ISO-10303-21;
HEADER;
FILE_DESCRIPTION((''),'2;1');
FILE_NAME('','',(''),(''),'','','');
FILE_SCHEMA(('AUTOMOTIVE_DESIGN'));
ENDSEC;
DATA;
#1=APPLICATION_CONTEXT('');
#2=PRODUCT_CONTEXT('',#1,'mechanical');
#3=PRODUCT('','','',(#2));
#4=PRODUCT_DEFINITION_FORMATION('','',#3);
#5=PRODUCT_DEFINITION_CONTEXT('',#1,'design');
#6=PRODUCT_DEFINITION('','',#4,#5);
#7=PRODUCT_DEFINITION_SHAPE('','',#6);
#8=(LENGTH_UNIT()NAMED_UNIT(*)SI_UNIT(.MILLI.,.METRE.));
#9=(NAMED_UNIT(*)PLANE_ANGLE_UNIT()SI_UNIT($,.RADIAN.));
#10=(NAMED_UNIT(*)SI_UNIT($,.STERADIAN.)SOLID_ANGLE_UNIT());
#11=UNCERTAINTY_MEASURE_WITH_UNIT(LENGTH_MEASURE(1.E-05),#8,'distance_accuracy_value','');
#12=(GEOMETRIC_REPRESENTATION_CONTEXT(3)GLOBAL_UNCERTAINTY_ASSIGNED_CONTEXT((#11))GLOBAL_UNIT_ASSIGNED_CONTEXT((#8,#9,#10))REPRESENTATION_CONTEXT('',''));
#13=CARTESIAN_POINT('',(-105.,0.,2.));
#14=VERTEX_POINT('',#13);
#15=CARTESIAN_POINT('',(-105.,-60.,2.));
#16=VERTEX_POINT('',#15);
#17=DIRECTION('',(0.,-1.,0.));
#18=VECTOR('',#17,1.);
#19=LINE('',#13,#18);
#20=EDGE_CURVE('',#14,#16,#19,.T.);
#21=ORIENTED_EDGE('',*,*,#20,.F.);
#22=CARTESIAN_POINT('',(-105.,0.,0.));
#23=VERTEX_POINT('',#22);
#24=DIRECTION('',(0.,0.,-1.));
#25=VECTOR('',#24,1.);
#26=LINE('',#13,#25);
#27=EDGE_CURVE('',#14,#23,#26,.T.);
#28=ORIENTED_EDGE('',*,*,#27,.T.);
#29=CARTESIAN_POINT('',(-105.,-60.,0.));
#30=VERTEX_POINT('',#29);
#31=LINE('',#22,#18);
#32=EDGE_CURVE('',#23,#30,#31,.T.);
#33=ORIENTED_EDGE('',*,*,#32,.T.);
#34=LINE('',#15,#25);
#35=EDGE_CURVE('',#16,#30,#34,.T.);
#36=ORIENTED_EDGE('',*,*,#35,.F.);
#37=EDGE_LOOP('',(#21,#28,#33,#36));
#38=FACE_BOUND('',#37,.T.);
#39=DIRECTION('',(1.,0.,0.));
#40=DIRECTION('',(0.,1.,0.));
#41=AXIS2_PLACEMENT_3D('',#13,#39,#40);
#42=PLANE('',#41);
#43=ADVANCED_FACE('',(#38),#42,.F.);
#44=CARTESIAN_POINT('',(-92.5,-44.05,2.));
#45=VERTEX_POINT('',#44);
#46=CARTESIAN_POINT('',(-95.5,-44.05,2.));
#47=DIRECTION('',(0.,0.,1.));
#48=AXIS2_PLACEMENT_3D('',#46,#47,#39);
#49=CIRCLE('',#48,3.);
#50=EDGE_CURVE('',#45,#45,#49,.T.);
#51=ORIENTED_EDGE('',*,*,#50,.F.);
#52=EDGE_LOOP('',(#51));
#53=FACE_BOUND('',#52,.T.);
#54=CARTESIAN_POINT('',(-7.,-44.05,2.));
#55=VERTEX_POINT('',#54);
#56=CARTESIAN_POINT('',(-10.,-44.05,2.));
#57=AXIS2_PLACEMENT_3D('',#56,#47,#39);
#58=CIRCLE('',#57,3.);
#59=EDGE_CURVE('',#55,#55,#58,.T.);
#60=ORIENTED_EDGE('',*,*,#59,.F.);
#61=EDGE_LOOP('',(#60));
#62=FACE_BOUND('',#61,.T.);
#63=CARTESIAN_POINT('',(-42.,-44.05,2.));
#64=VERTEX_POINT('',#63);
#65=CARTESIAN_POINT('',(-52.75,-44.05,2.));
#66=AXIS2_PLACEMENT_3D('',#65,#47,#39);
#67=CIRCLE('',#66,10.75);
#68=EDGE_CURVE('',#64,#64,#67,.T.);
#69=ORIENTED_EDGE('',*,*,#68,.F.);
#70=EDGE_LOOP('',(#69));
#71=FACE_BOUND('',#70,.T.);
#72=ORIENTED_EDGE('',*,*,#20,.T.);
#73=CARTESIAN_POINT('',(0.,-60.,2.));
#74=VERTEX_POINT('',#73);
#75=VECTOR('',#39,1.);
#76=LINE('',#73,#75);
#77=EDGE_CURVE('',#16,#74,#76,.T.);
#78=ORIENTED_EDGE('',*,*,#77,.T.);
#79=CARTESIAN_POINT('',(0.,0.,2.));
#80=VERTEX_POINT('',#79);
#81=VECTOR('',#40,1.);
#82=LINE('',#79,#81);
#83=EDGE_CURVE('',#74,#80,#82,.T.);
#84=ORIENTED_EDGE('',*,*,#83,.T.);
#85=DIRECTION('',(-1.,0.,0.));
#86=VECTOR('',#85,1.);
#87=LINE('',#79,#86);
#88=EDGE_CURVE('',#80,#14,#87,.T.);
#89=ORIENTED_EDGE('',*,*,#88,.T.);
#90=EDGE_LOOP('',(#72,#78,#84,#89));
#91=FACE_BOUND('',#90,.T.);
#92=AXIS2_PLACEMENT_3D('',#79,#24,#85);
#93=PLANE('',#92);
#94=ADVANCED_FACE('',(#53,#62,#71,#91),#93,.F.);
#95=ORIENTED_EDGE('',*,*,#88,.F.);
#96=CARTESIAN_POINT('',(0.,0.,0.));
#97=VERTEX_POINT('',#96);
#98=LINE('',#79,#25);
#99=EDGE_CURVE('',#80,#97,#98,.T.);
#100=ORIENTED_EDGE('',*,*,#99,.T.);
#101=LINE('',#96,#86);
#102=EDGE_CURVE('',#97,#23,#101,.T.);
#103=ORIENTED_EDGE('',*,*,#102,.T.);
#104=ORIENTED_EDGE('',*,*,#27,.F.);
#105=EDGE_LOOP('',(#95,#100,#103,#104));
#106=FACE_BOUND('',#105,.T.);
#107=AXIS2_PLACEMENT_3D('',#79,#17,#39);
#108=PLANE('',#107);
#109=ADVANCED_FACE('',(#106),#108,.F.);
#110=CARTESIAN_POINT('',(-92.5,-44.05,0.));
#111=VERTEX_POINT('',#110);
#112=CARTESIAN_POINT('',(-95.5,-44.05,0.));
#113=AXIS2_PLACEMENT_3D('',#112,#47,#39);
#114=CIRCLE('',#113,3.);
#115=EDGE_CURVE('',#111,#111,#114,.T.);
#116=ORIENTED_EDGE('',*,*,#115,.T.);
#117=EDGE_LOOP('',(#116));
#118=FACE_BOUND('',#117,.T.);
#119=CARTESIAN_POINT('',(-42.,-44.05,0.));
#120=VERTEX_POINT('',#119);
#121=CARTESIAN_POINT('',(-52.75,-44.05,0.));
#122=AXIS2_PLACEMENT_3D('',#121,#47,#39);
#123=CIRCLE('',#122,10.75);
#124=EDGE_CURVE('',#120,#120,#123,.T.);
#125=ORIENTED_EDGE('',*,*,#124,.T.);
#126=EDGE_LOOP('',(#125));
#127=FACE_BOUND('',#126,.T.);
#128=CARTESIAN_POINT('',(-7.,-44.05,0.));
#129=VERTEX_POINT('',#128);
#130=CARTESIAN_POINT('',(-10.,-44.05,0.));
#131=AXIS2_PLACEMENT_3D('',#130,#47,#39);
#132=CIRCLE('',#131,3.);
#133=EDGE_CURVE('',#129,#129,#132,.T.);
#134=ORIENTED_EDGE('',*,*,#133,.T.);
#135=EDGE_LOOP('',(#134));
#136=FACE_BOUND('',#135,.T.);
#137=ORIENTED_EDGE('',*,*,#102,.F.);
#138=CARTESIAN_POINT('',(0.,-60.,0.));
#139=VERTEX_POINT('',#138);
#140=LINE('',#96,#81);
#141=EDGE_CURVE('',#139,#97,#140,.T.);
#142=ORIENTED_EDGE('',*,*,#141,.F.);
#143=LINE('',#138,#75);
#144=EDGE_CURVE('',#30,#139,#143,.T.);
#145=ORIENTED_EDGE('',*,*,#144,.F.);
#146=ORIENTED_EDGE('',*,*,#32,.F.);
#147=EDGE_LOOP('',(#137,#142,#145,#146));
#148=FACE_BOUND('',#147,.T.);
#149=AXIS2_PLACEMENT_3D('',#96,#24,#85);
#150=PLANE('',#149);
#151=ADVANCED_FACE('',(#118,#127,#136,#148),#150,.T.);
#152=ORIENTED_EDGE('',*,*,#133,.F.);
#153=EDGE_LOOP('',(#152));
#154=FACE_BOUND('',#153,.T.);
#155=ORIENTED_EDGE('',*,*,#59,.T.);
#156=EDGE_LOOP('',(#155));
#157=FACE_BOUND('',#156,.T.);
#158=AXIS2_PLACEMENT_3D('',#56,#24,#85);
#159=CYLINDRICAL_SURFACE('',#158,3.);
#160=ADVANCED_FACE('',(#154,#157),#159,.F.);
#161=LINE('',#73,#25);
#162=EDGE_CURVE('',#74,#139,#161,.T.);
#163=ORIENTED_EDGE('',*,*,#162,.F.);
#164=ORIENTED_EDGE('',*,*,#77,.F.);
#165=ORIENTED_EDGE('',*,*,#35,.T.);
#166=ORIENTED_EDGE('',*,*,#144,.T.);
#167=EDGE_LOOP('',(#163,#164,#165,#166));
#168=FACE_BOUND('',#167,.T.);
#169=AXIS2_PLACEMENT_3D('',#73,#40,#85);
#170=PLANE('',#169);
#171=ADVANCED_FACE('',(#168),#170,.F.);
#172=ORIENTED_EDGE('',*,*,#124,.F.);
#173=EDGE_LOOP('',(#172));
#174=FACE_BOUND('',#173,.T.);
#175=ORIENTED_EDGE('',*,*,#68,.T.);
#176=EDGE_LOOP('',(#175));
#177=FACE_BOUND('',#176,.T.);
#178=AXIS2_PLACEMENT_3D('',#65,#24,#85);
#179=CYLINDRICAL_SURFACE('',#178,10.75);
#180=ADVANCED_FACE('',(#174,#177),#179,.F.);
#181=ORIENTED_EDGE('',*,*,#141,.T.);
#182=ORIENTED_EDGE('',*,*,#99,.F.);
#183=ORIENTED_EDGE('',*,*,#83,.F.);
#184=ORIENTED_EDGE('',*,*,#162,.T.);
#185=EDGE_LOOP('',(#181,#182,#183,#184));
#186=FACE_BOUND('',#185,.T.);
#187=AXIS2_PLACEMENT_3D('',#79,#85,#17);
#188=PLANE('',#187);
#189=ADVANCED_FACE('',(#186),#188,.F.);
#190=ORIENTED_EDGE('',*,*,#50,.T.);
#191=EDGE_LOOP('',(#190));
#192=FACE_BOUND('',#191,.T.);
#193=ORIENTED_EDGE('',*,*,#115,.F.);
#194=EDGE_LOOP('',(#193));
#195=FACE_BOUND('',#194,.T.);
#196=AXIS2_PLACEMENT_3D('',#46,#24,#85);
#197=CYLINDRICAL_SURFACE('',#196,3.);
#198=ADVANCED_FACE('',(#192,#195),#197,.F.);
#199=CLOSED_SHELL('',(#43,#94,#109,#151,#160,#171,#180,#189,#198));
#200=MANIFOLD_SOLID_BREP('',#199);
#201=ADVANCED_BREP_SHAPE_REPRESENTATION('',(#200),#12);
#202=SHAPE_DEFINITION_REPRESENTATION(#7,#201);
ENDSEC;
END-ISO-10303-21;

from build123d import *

# Parameters (mm, degrees)
SKETCH1_W           = 105
SKETCH1_H           = 60
SKETCH1_R           = 3
SKETCH1_R_2         = 10.75
BOSS_EXTRUDE1_DEPTH = 2


with BuildPart() as part:
    # Sketch1 → Boss-Extrude1 (new body)
    with BuildSketch(Plane.XY):
        with Locations((-52.5, -30)):
            Rectangle(SKETCH1_W, SKETCH1_H)
        with Locations((-10, -44.05)):
            Circle(SKETCH1_R, mode=Mode.SUBTRACT)
        with Locations((-52.75, -44.05)):
            Circle(SKETCH1_R_2, mode=Mode.SUBTRACT)
        with Locations((-95.5, -44.05)):
            Circle(SKETCH1_R, mode=Mode.SUBTRACT)
    extrude(amount=BOSS_EXTRUDE1_DEPTH)


solid = part.part
